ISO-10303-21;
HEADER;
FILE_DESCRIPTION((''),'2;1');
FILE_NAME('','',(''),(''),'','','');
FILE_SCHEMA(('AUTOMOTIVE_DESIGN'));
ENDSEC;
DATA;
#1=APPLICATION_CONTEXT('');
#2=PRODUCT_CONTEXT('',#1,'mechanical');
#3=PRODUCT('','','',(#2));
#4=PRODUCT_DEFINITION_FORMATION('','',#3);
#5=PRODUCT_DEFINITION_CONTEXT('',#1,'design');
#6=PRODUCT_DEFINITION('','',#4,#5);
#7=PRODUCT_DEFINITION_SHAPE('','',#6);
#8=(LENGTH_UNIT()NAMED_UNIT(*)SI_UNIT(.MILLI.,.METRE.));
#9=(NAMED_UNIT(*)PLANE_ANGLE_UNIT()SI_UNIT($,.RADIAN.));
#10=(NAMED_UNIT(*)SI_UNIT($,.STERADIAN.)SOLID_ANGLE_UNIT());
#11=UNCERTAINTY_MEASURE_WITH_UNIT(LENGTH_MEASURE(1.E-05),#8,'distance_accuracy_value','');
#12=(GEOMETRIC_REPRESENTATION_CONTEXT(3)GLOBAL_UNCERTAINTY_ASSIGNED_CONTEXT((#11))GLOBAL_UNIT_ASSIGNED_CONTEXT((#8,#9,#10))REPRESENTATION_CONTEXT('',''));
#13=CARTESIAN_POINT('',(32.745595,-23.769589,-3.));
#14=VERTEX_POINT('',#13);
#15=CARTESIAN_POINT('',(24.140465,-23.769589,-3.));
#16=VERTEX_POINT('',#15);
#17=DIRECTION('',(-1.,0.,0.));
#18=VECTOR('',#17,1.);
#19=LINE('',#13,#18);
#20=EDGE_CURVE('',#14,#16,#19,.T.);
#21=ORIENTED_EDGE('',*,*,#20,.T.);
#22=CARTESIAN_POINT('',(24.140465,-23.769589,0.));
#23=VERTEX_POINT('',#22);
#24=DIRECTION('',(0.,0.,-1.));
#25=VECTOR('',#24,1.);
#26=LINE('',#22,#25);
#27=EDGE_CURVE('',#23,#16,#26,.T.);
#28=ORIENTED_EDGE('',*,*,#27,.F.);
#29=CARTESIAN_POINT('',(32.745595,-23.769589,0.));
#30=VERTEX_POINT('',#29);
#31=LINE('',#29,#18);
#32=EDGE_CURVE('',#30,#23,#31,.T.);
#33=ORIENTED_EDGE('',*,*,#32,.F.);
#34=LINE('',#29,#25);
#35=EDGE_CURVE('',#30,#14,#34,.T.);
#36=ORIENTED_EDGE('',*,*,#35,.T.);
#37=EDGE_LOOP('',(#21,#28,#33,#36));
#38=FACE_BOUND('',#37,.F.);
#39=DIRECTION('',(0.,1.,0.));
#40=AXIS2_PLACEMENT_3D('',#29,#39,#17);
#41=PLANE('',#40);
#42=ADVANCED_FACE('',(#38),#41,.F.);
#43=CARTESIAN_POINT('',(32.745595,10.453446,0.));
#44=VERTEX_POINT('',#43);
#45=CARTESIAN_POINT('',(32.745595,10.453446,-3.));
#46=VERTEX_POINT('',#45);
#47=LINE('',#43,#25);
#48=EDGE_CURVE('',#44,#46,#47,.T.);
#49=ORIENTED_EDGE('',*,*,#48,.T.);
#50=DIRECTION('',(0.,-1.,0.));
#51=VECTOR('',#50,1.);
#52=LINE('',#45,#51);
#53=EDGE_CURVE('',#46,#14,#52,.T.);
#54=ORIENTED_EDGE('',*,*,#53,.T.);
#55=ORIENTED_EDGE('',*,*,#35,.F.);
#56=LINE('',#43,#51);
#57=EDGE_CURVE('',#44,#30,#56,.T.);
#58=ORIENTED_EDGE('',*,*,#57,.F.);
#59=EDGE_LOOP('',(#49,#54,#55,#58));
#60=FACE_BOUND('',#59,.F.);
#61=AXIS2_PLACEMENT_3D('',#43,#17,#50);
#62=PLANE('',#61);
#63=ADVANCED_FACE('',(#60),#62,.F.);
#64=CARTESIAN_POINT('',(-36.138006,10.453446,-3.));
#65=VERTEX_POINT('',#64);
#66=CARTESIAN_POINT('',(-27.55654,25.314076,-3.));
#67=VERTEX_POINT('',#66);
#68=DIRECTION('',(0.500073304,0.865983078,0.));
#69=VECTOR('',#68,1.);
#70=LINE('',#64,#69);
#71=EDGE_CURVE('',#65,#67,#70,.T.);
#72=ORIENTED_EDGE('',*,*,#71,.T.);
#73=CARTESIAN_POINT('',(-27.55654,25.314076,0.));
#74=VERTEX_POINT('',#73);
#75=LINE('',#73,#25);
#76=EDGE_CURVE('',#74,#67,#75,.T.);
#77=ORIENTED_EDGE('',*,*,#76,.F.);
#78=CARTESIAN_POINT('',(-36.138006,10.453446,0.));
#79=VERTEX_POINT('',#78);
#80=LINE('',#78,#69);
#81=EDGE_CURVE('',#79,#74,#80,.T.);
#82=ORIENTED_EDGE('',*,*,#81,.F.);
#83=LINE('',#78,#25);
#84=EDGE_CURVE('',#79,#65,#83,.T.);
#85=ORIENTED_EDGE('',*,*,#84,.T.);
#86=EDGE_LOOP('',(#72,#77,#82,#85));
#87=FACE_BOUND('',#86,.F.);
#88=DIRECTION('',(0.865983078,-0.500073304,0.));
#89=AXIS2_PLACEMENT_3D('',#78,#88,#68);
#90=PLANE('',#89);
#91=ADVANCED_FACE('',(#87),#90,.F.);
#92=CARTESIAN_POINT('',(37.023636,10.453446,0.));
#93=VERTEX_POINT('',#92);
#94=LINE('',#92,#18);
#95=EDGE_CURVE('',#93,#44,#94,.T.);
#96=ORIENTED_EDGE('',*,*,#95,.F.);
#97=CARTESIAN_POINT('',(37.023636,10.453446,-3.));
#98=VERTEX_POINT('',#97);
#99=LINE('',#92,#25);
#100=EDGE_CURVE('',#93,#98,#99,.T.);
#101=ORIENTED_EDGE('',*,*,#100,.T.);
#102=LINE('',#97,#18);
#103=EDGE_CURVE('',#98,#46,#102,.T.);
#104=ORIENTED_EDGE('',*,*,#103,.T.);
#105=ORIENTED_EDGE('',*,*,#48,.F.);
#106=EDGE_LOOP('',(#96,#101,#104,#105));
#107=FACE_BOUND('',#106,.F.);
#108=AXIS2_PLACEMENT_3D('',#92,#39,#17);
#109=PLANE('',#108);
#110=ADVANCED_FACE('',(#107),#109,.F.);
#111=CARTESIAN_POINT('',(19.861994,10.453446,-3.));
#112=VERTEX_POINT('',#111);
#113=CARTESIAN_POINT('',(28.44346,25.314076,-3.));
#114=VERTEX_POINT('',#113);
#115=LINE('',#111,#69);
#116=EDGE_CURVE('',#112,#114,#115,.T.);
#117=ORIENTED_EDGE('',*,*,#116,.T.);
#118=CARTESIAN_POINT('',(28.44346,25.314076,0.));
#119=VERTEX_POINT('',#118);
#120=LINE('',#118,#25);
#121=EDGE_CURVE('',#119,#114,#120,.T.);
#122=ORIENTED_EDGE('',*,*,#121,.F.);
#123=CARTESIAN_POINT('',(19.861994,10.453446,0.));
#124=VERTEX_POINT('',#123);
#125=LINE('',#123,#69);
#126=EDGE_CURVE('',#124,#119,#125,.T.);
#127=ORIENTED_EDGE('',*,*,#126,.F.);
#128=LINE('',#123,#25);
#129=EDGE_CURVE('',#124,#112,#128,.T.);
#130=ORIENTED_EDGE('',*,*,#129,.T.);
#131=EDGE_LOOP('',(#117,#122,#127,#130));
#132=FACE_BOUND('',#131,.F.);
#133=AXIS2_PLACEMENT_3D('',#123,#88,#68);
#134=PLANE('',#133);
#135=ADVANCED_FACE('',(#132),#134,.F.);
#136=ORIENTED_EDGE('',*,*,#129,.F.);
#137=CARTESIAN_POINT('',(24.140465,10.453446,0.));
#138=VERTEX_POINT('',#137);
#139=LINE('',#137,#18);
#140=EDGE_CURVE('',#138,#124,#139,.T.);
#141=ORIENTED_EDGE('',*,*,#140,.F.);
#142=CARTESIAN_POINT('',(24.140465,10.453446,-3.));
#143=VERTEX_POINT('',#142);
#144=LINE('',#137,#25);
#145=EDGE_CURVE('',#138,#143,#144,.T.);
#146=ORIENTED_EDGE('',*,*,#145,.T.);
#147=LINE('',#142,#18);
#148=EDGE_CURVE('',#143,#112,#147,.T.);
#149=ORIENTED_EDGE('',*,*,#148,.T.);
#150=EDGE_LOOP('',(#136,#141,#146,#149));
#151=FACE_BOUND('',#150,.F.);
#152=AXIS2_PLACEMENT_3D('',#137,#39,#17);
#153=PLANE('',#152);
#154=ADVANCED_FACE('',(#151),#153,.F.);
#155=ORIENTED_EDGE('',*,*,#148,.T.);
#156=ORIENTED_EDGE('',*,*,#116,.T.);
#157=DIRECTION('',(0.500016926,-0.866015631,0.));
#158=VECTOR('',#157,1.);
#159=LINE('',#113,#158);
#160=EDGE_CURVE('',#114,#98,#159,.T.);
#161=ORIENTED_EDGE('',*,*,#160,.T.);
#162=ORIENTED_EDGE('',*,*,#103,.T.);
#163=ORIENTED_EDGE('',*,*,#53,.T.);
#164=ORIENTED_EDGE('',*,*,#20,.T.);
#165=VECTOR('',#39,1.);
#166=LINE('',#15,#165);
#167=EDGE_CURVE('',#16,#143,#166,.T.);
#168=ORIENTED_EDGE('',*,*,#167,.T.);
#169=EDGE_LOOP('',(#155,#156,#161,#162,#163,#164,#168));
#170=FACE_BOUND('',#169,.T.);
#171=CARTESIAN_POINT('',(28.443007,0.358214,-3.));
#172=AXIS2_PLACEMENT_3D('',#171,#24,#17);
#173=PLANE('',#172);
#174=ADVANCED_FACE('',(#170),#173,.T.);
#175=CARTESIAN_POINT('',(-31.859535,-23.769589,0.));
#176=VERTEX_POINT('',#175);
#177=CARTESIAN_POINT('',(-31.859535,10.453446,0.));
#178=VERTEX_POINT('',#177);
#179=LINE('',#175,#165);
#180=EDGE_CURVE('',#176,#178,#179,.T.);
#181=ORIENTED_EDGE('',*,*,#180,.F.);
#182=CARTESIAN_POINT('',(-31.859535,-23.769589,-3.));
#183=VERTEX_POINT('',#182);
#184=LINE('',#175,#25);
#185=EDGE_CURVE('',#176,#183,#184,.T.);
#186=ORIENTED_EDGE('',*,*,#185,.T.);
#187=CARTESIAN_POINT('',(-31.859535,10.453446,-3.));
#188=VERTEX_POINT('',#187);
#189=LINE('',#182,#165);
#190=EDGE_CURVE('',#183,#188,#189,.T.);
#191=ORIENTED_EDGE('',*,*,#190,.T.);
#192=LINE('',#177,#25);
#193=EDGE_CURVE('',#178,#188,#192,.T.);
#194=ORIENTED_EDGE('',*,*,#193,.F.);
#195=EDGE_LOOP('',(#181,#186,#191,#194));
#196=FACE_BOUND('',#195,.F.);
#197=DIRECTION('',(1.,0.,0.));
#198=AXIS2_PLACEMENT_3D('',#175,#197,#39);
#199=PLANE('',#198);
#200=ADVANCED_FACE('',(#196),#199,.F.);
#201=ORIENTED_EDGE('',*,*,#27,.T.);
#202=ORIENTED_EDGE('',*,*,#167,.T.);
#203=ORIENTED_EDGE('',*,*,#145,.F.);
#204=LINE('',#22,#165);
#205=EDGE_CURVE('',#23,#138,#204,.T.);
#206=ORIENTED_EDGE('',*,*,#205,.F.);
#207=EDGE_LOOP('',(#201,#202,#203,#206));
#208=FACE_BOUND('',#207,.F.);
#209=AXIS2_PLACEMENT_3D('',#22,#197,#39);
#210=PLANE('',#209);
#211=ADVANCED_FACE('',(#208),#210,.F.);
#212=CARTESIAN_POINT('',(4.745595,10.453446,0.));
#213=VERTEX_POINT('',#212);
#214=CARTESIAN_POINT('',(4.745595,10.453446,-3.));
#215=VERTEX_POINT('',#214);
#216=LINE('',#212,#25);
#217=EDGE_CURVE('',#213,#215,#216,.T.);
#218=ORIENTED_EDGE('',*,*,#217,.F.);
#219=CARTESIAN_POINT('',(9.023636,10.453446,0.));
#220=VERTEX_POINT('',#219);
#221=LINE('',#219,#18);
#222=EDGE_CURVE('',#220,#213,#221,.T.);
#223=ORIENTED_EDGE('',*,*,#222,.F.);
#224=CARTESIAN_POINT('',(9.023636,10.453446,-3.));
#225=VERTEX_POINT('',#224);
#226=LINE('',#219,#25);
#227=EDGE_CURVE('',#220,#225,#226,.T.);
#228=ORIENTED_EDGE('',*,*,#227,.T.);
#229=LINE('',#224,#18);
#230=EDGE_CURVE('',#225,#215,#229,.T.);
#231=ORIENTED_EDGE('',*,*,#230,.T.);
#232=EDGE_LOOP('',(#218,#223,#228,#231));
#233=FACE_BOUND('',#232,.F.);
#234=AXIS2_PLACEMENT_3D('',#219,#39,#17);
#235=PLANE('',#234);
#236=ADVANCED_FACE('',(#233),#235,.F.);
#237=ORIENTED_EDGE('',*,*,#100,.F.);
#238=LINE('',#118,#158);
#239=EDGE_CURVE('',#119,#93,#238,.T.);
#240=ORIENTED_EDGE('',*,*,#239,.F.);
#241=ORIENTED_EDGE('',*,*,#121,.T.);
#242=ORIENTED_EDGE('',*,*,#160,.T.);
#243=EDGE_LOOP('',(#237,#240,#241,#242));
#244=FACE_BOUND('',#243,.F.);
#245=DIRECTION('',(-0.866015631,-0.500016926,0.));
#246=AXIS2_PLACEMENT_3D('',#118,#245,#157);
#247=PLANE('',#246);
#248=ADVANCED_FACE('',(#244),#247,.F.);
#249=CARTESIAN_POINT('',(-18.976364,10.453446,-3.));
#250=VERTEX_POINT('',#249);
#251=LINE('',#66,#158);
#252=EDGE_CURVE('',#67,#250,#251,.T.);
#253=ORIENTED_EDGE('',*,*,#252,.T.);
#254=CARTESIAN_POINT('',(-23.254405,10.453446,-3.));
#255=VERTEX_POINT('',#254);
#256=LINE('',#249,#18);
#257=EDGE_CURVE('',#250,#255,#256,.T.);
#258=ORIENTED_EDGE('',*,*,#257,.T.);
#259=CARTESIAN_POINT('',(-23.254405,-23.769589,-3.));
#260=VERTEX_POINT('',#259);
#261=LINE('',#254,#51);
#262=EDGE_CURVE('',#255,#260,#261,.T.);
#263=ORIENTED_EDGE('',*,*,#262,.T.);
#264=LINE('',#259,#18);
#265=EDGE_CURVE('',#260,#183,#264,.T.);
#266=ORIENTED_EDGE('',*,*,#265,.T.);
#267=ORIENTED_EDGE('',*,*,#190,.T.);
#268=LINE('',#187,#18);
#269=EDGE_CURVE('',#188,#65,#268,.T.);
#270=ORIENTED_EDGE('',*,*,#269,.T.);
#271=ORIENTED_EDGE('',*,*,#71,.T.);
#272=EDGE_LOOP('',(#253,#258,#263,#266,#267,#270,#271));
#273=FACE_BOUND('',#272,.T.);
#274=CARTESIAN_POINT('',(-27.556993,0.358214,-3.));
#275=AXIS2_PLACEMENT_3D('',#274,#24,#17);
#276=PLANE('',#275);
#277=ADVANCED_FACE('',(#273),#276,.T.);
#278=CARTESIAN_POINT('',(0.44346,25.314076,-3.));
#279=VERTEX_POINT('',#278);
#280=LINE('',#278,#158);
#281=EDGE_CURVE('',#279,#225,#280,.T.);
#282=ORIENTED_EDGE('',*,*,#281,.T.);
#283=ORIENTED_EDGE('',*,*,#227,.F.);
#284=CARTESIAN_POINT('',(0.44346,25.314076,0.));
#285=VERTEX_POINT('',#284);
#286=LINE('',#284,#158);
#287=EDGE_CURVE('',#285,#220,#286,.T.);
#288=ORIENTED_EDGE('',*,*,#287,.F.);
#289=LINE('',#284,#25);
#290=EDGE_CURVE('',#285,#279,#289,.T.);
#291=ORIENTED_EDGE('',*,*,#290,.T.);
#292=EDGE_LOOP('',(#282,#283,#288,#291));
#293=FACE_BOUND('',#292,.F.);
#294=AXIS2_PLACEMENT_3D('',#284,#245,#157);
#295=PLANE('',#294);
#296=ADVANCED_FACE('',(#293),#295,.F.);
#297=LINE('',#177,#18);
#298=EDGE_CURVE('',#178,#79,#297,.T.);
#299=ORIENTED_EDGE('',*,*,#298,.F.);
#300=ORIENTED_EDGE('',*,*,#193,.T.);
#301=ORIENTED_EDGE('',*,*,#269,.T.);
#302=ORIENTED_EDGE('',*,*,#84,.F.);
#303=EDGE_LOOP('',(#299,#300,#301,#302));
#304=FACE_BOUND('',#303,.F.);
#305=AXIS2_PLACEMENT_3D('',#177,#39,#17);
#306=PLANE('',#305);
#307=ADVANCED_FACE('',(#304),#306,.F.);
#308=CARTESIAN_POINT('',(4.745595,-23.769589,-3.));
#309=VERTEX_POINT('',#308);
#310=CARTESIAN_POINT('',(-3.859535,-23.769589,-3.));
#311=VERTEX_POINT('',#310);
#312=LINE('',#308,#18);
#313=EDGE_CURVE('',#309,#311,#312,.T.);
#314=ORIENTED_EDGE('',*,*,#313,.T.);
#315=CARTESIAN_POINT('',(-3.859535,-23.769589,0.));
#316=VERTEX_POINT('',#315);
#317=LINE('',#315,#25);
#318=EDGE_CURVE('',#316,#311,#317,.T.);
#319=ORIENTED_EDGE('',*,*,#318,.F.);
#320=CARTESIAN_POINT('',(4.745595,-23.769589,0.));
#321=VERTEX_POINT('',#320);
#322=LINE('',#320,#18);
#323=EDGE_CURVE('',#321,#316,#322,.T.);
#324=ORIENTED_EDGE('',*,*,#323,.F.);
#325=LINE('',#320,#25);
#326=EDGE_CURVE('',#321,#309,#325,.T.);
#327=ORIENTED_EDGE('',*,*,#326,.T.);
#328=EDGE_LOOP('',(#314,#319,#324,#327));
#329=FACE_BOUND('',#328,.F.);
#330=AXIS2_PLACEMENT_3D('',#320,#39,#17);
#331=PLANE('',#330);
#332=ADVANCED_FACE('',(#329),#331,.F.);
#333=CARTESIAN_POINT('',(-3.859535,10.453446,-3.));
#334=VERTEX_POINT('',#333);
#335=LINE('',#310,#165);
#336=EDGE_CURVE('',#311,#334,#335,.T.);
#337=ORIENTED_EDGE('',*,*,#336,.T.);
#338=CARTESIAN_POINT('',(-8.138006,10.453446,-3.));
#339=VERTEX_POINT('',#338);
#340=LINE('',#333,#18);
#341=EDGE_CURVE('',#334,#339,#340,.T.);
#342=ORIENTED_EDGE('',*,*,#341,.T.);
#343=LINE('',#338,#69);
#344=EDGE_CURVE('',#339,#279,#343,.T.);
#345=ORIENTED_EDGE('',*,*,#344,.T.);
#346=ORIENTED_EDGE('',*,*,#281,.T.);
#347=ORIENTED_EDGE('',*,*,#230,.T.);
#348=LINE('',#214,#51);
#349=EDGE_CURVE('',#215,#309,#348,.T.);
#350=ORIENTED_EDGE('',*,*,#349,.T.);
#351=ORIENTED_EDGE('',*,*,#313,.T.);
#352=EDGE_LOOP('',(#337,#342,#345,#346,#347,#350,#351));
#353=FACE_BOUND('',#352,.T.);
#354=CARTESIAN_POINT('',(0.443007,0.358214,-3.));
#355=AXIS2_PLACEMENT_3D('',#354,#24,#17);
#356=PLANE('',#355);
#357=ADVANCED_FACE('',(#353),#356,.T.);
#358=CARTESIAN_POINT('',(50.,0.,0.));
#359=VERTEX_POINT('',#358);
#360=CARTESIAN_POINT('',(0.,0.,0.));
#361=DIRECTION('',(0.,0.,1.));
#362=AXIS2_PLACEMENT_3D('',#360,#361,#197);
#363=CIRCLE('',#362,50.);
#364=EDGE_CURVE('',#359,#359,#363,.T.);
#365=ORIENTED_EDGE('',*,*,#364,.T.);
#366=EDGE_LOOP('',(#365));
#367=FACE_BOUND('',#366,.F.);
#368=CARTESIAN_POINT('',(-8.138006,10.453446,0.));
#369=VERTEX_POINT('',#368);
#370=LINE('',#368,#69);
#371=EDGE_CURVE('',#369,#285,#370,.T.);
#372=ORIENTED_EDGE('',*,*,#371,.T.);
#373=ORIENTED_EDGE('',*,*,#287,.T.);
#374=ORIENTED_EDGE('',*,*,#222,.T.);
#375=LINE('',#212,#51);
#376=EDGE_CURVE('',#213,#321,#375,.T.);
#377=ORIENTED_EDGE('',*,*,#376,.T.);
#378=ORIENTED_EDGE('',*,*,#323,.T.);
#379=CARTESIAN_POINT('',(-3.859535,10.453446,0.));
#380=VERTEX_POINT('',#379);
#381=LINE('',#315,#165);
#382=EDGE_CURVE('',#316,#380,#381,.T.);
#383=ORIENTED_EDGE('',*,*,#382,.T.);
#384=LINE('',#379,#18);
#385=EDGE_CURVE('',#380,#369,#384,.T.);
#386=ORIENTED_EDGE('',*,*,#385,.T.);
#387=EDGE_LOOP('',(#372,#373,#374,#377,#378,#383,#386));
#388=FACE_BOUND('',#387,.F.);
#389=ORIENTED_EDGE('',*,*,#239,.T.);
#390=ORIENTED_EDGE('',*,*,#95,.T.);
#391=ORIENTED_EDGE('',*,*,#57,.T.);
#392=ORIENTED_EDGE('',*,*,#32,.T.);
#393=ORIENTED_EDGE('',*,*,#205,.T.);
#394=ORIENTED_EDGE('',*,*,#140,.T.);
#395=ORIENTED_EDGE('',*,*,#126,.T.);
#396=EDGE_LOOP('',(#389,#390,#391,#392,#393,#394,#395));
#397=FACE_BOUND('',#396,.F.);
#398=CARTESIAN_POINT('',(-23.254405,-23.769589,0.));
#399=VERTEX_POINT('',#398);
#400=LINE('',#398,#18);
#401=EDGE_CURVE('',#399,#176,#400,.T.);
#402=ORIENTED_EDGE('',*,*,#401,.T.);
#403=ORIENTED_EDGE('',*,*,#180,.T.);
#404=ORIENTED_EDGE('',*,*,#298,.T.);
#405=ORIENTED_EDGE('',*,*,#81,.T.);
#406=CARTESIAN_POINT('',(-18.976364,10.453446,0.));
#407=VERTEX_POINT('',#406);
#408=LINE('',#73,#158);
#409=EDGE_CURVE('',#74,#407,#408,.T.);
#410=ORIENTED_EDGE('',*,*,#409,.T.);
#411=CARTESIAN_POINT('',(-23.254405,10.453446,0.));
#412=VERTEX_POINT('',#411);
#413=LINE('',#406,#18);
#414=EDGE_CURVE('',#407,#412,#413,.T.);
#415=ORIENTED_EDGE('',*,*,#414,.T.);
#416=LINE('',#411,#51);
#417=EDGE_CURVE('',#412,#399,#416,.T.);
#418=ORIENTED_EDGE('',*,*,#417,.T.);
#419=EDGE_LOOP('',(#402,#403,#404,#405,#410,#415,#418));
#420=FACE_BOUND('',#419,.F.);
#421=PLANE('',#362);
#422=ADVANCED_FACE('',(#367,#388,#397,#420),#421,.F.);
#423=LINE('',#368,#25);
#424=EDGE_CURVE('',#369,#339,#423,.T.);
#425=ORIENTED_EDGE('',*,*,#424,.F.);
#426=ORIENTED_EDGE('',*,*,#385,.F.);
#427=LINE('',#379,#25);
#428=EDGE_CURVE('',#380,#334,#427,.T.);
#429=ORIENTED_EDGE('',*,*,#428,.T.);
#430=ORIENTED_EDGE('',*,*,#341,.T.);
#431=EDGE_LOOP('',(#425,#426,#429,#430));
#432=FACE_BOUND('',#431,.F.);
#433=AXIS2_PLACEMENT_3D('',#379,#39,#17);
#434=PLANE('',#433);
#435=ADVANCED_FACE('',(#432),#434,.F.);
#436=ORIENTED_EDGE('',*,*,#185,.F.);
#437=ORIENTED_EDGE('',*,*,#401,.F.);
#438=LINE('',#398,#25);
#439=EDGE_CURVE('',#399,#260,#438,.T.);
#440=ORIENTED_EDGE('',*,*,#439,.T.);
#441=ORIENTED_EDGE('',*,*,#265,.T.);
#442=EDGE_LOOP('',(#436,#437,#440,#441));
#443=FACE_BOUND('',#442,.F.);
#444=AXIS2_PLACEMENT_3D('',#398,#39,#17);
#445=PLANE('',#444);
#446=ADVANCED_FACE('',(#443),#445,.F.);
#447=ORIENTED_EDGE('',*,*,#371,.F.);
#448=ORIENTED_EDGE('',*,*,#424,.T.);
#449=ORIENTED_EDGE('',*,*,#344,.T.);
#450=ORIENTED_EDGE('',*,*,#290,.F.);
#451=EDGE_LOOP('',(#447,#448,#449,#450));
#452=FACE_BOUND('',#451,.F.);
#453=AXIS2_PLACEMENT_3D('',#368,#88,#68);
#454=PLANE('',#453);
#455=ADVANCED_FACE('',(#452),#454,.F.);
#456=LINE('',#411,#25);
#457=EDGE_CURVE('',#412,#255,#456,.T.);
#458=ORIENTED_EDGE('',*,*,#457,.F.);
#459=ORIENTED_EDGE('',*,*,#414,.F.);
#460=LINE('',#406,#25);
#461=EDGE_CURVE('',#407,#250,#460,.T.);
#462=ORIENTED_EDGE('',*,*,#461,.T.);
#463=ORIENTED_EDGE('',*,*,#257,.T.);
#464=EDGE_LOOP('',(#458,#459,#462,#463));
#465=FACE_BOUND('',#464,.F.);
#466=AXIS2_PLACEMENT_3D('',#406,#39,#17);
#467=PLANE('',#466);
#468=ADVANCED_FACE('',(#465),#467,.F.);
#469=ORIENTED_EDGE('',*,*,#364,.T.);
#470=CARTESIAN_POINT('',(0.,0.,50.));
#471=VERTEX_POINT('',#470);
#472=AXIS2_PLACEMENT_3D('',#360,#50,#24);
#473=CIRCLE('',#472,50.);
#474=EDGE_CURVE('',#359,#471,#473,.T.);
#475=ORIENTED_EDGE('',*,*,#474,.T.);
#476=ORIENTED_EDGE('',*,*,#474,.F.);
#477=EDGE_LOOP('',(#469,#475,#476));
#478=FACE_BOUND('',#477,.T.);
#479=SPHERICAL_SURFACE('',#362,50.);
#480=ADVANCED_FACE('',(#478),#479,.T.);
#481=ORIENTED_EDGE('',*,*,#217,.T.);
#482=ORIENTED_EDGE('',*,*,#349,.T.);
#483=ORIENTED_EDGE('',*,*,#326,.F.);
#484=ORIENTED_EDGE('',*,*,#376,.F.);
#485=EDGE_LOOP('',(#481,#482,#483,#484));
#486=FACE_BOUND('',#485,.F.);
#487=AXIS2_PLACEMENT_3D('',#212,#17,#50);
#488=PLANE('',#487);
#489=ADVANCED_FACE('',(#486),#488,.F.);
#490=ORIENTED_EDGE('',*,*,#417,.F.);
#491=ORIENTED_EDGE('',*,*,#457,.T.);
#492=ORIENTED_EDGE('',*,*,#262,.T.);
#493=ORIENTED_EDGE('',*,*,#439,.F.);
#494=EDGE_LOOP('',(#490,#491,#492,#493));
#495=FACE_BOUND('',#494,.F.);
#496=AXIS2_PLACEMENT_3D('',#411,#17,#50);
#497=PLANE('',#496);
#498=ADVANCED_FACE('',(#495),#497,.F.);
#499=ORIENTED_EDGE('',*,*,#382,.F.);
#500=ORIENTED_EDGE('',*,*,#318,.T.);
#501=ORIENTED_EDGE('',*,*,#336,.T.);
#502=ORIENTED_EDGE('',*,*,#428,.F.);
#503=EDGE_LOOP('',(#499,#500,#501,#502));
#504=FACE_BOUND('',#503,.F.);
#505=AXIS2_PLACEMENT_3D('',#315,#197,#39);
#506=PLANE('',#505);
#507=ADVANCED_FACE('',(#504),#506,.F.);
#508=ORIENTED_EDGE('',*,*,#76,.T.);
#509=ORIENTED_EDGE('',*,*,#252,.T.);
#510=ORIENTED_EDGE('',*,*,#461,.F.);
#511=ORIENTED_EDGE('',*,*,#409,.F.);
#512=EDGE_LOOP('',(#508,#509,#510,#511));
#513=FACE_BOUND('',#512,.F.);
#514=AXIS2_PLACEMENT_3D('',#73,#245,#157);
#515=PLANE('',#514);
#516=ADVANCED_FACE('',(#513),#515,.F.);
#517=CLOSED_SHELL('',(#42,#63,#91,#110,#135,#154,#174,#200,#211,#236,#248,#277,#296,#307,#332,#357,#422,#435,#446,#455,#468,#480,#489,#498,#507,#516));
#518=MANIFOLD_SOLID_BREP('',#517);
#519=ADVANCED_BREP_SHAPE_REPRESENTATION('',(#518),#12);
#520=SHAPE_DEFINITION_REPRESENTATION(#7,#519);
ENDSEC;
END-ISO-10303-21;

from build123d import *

# Parameters (mm, degrees)
EXTRUDE005_DEPTH = 3
EXTRUDE006_DEPTH = 3
RECTANGLE001_W   = 100
RECTANGLE001_H   = 100
EXTRUDE004_DEPTH = 50
EXTRUDE007_DEPTH = 3


with BuildPart() as extrude005:
    # Clone2D → Extrude005 (new body)
    with BuildSketch(Plane(origin=(-17, 30, 0), x_dir=(1, 0, 0), z_dir=(0, 0, 1))):
        Polygon((17.44346, -4.685924), (26.023636, -19.546554), (21.745595, -19.546554), (21.745595, -53.769589), (13.140465, -53.769589), (13.140465, -19.546554), (8.861994, -19.546554), align=None)
    extrude(amount=-EXTRUDE005_DEPTH)


with BuildPart() as extrude006:
    # Clone2D001 → Extrude006 (new body)
    with BuildSketch(Plane(origin=(-45, 30, 0), x_dir=(1, 0, 0), z_dir=(0, 0, 1))):
        Polygon((17.44346, -4.685924), (26.023636, -19.546554), (21.745595, -19.546554), (21.745595, -53.769589), (13.140465, -53.769589), (13.140465, -19.546554), (8.861994, -19.546554), align=None)
    extrude(amount=-EXTRUDE006_DEPTH)


with BuildPart() as extrude004:
    # Rectangle001 → Extrude004 (new body)
    with BuildSketch(Plane(origin=(-50, 50, 0), x_dir=(1, 0, 0), z_dir=(0, 0, 1))):
        with Locations((50, -50)):
            Rectangle(RECTANGLE001_W, RECTANGLE001_H)
    extrude(amount=-EXTRUDE004_DEPTH)


with BuildPart() as cut001:
    # Sphere001 → Sphere001 (revolve)
    with BuildSketch(Plane.XZ):
        with BuildLine():
            ThreePointArc((0, -50), (50, 0), (0, 50))
            Line((0, 50), (0, -50))
        make_face()
    revolve(axis=Axis((0, 0, 0), (0, 0, 1)))

    # Cut001: cut Extrude004
    add(extrude004.part, mode=Mode.SUBTRACT)


with BuildPart() as extruded_magnetization:
    # Clone2D002 → Extrude007 (new body)
    with BuildSketch(Plane(origin=(11, 30, 0), x_dir=(1, 0, 0), z_dir=(0, 0, 1))):
        Polygon((17.44346, -4.685924), (26.023636, -19.546554), (21.745595, -19.546554), (21.745595, -53.769589), (13.140465, -53.769589), (13.140465, -19.546554), (8.861994, -19.546554), align=None)
    extrude(amount=-EXTRUDE007_DEPTH)

    # Fusion003: union Extrude005, Extrude006, Cut001
    add(extrude005.part)
    add(extrude006.part)
    add(cut001.part)


solid = extruded_magnetization.part
